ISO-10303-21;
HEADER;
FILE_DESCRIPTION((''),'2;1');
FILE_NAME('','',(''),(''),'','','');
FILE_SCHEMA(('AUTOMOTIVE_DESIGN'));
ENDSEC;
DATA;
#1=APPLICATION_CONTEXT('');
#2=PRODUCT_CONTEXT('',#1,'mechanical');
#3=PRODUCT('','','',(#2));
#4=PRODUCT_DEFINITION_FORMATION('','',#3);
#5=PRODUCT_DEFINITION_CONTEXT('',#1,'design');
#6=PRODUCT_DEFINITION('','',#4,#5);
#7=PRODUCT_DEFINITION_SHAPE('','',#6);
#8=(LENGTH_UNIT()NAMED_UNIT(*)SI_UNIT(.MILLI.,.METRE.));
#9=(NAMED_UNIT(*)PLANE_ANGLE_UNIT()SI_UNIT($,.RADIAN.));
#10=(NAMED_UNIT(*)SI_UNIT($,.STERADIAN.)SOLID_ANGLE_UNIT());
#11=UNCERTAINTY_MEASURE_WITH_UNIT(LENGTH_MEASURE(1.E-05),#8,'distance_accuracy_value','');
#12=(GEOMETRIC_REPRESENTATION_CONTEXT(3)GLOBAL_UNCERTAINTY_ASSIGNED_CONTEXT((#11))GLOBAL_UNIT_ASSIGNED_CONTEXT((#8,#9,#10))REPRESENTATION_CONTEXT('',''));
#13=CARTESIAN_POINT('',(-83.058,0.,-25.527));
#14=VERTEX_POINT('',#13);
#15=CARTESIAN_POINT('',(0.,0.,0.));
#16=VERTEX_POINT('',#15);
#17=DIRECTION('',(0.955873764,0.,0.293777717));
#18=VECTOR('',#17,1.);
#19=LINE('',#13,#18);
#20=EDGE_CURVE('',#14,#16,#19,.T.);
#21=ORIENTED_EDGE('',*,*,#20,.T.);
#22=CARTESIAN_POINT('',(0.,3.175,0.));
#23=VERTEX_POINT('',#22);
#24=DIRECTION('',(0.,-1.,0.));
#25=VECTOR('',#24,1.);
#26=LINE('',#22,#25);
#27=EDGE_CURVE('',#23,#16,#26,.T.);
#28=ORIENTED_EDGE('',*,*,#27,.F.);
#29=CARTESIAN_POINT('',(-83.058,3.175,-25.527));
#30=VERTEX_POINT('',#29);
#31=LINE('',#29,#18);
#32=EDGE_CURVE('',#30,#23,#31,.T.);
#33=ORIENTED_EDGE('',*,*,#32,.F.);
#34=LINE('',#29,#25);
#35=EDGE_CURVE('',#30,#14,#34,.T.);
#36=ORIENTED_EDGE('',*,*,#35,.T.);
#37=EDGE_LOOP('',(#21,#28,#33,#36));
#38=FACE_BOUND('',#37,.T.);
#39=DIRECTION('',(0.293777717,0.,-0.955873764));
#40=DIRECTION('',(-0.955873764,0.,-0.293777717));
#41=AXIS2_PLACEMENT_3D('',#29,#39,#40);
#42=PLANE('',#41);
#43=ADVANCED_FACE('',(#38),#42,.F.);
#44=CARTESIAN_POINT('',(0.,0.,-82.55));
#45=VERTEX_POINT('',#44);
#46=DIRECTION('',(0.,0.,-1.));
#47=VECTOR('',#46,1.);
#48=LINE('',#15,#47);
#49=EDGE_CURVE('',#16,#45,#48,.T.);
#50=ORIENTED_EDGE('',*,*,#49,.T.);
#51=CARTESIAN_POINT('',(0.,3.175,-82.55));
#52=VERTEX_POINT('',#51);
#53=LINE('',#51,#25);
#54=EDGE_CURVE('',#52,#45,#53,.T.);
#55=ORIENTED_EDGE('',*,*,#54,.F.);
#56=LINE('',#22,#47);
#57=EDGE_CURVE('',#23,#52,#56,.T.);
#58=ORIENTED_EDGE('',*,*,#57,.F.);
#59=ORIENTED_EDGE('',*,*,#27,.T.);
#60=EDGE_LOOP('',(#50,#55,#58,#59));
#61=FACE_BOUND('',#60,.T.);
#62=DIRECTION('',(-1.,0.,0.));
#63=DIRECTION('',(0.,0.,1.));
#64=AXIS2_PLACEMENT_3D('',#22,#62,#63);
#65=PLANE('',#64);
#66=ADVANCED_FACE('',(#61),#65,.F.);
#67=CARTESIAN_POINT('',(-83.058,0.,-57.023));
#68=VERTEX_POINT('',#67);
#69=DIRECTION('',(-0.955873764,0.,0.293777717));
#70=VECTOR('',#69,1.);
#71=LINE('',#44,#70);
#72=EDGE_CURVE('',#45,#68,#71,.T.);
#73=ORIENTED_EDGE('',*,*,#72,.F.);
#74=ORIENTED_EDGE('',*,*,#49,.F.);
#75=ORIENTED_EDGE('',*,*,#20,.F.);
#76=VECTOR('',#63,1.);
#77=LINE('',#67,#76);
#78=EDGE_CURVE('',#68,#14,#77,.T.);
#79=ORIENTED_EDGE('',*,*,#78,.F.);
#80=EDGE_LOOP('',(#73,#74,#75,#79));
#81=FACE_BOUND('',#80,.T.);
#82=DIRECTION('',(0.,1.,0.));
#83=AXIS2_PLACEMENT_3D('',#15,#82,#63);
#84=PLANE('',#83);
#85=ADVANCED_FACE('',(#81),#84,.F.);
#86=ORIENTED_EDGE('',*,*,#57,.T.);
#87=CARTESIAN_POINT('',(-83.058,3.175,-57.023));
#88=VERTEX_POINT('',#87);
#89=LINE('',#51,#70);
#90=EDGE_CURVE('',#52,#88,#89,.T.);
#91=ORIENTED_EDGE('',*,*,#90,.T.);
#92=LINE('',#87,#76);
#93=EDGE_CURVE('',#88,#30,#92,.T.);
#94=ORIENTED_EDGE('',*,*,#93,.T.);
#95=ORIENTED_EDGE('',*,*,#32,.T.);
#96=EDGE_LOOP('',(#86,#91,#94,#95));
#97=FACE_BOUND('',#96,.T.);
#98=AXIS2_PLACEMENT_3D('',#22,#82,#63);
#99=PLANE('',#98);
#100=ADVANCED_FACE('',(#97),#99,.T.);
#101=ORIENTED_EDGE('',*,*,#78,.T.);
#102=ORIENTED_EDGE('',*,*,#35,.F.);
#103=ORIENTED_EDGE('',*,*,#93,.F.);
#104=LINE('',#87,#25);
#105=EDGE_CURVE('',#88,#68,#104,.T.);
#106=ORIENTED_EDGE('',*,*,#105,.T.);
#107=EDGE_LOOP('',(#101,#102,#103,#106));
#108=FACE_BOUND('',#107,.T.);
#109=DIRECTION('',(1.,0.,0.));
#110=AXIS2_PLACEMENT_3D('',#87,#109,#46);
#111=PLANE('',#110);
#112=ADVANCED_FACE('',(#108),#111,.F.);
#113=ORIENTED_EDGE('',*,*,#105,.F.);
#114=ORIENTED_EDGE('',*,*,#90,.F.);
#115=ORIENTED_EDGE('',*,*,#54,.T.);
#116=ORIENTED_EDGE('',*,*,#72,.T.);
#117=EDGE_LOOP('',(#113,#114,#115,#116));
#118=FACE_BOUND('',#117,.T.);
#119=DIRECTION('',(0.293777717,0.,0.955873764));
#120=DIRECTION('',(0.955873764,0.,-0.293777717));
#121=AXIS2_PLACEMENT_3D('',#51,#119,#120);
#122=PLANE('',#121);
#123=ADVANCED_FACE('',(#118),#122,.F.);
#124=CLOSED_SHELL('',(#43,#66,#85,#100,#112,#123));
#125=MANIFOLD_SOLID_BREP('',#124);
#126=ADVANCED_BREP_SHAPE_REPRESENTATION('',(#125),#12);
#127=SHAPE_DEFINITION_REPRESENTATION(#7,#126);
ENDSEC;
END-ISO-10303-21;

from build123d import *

# Parameters (mm, degrees)
BOSS_EXTRUDE1_DEPTH = 3.175


with BuildPart() as part:
    # Sketch1 → Boss-Extrude1 (new body)
    with BuildSketch(Plane(origin=(0, 0, 0), x_dir=(1, 0, 0), z_dir=(0, 1, 0))):
        Polygon((0, 0), (0, 82.55), (-83.058, 57.023), (-83.058, 25.527), align=None)
    extrude(amount=BOSS_EXTRUDE1_DEPTH)


solid = part.part
